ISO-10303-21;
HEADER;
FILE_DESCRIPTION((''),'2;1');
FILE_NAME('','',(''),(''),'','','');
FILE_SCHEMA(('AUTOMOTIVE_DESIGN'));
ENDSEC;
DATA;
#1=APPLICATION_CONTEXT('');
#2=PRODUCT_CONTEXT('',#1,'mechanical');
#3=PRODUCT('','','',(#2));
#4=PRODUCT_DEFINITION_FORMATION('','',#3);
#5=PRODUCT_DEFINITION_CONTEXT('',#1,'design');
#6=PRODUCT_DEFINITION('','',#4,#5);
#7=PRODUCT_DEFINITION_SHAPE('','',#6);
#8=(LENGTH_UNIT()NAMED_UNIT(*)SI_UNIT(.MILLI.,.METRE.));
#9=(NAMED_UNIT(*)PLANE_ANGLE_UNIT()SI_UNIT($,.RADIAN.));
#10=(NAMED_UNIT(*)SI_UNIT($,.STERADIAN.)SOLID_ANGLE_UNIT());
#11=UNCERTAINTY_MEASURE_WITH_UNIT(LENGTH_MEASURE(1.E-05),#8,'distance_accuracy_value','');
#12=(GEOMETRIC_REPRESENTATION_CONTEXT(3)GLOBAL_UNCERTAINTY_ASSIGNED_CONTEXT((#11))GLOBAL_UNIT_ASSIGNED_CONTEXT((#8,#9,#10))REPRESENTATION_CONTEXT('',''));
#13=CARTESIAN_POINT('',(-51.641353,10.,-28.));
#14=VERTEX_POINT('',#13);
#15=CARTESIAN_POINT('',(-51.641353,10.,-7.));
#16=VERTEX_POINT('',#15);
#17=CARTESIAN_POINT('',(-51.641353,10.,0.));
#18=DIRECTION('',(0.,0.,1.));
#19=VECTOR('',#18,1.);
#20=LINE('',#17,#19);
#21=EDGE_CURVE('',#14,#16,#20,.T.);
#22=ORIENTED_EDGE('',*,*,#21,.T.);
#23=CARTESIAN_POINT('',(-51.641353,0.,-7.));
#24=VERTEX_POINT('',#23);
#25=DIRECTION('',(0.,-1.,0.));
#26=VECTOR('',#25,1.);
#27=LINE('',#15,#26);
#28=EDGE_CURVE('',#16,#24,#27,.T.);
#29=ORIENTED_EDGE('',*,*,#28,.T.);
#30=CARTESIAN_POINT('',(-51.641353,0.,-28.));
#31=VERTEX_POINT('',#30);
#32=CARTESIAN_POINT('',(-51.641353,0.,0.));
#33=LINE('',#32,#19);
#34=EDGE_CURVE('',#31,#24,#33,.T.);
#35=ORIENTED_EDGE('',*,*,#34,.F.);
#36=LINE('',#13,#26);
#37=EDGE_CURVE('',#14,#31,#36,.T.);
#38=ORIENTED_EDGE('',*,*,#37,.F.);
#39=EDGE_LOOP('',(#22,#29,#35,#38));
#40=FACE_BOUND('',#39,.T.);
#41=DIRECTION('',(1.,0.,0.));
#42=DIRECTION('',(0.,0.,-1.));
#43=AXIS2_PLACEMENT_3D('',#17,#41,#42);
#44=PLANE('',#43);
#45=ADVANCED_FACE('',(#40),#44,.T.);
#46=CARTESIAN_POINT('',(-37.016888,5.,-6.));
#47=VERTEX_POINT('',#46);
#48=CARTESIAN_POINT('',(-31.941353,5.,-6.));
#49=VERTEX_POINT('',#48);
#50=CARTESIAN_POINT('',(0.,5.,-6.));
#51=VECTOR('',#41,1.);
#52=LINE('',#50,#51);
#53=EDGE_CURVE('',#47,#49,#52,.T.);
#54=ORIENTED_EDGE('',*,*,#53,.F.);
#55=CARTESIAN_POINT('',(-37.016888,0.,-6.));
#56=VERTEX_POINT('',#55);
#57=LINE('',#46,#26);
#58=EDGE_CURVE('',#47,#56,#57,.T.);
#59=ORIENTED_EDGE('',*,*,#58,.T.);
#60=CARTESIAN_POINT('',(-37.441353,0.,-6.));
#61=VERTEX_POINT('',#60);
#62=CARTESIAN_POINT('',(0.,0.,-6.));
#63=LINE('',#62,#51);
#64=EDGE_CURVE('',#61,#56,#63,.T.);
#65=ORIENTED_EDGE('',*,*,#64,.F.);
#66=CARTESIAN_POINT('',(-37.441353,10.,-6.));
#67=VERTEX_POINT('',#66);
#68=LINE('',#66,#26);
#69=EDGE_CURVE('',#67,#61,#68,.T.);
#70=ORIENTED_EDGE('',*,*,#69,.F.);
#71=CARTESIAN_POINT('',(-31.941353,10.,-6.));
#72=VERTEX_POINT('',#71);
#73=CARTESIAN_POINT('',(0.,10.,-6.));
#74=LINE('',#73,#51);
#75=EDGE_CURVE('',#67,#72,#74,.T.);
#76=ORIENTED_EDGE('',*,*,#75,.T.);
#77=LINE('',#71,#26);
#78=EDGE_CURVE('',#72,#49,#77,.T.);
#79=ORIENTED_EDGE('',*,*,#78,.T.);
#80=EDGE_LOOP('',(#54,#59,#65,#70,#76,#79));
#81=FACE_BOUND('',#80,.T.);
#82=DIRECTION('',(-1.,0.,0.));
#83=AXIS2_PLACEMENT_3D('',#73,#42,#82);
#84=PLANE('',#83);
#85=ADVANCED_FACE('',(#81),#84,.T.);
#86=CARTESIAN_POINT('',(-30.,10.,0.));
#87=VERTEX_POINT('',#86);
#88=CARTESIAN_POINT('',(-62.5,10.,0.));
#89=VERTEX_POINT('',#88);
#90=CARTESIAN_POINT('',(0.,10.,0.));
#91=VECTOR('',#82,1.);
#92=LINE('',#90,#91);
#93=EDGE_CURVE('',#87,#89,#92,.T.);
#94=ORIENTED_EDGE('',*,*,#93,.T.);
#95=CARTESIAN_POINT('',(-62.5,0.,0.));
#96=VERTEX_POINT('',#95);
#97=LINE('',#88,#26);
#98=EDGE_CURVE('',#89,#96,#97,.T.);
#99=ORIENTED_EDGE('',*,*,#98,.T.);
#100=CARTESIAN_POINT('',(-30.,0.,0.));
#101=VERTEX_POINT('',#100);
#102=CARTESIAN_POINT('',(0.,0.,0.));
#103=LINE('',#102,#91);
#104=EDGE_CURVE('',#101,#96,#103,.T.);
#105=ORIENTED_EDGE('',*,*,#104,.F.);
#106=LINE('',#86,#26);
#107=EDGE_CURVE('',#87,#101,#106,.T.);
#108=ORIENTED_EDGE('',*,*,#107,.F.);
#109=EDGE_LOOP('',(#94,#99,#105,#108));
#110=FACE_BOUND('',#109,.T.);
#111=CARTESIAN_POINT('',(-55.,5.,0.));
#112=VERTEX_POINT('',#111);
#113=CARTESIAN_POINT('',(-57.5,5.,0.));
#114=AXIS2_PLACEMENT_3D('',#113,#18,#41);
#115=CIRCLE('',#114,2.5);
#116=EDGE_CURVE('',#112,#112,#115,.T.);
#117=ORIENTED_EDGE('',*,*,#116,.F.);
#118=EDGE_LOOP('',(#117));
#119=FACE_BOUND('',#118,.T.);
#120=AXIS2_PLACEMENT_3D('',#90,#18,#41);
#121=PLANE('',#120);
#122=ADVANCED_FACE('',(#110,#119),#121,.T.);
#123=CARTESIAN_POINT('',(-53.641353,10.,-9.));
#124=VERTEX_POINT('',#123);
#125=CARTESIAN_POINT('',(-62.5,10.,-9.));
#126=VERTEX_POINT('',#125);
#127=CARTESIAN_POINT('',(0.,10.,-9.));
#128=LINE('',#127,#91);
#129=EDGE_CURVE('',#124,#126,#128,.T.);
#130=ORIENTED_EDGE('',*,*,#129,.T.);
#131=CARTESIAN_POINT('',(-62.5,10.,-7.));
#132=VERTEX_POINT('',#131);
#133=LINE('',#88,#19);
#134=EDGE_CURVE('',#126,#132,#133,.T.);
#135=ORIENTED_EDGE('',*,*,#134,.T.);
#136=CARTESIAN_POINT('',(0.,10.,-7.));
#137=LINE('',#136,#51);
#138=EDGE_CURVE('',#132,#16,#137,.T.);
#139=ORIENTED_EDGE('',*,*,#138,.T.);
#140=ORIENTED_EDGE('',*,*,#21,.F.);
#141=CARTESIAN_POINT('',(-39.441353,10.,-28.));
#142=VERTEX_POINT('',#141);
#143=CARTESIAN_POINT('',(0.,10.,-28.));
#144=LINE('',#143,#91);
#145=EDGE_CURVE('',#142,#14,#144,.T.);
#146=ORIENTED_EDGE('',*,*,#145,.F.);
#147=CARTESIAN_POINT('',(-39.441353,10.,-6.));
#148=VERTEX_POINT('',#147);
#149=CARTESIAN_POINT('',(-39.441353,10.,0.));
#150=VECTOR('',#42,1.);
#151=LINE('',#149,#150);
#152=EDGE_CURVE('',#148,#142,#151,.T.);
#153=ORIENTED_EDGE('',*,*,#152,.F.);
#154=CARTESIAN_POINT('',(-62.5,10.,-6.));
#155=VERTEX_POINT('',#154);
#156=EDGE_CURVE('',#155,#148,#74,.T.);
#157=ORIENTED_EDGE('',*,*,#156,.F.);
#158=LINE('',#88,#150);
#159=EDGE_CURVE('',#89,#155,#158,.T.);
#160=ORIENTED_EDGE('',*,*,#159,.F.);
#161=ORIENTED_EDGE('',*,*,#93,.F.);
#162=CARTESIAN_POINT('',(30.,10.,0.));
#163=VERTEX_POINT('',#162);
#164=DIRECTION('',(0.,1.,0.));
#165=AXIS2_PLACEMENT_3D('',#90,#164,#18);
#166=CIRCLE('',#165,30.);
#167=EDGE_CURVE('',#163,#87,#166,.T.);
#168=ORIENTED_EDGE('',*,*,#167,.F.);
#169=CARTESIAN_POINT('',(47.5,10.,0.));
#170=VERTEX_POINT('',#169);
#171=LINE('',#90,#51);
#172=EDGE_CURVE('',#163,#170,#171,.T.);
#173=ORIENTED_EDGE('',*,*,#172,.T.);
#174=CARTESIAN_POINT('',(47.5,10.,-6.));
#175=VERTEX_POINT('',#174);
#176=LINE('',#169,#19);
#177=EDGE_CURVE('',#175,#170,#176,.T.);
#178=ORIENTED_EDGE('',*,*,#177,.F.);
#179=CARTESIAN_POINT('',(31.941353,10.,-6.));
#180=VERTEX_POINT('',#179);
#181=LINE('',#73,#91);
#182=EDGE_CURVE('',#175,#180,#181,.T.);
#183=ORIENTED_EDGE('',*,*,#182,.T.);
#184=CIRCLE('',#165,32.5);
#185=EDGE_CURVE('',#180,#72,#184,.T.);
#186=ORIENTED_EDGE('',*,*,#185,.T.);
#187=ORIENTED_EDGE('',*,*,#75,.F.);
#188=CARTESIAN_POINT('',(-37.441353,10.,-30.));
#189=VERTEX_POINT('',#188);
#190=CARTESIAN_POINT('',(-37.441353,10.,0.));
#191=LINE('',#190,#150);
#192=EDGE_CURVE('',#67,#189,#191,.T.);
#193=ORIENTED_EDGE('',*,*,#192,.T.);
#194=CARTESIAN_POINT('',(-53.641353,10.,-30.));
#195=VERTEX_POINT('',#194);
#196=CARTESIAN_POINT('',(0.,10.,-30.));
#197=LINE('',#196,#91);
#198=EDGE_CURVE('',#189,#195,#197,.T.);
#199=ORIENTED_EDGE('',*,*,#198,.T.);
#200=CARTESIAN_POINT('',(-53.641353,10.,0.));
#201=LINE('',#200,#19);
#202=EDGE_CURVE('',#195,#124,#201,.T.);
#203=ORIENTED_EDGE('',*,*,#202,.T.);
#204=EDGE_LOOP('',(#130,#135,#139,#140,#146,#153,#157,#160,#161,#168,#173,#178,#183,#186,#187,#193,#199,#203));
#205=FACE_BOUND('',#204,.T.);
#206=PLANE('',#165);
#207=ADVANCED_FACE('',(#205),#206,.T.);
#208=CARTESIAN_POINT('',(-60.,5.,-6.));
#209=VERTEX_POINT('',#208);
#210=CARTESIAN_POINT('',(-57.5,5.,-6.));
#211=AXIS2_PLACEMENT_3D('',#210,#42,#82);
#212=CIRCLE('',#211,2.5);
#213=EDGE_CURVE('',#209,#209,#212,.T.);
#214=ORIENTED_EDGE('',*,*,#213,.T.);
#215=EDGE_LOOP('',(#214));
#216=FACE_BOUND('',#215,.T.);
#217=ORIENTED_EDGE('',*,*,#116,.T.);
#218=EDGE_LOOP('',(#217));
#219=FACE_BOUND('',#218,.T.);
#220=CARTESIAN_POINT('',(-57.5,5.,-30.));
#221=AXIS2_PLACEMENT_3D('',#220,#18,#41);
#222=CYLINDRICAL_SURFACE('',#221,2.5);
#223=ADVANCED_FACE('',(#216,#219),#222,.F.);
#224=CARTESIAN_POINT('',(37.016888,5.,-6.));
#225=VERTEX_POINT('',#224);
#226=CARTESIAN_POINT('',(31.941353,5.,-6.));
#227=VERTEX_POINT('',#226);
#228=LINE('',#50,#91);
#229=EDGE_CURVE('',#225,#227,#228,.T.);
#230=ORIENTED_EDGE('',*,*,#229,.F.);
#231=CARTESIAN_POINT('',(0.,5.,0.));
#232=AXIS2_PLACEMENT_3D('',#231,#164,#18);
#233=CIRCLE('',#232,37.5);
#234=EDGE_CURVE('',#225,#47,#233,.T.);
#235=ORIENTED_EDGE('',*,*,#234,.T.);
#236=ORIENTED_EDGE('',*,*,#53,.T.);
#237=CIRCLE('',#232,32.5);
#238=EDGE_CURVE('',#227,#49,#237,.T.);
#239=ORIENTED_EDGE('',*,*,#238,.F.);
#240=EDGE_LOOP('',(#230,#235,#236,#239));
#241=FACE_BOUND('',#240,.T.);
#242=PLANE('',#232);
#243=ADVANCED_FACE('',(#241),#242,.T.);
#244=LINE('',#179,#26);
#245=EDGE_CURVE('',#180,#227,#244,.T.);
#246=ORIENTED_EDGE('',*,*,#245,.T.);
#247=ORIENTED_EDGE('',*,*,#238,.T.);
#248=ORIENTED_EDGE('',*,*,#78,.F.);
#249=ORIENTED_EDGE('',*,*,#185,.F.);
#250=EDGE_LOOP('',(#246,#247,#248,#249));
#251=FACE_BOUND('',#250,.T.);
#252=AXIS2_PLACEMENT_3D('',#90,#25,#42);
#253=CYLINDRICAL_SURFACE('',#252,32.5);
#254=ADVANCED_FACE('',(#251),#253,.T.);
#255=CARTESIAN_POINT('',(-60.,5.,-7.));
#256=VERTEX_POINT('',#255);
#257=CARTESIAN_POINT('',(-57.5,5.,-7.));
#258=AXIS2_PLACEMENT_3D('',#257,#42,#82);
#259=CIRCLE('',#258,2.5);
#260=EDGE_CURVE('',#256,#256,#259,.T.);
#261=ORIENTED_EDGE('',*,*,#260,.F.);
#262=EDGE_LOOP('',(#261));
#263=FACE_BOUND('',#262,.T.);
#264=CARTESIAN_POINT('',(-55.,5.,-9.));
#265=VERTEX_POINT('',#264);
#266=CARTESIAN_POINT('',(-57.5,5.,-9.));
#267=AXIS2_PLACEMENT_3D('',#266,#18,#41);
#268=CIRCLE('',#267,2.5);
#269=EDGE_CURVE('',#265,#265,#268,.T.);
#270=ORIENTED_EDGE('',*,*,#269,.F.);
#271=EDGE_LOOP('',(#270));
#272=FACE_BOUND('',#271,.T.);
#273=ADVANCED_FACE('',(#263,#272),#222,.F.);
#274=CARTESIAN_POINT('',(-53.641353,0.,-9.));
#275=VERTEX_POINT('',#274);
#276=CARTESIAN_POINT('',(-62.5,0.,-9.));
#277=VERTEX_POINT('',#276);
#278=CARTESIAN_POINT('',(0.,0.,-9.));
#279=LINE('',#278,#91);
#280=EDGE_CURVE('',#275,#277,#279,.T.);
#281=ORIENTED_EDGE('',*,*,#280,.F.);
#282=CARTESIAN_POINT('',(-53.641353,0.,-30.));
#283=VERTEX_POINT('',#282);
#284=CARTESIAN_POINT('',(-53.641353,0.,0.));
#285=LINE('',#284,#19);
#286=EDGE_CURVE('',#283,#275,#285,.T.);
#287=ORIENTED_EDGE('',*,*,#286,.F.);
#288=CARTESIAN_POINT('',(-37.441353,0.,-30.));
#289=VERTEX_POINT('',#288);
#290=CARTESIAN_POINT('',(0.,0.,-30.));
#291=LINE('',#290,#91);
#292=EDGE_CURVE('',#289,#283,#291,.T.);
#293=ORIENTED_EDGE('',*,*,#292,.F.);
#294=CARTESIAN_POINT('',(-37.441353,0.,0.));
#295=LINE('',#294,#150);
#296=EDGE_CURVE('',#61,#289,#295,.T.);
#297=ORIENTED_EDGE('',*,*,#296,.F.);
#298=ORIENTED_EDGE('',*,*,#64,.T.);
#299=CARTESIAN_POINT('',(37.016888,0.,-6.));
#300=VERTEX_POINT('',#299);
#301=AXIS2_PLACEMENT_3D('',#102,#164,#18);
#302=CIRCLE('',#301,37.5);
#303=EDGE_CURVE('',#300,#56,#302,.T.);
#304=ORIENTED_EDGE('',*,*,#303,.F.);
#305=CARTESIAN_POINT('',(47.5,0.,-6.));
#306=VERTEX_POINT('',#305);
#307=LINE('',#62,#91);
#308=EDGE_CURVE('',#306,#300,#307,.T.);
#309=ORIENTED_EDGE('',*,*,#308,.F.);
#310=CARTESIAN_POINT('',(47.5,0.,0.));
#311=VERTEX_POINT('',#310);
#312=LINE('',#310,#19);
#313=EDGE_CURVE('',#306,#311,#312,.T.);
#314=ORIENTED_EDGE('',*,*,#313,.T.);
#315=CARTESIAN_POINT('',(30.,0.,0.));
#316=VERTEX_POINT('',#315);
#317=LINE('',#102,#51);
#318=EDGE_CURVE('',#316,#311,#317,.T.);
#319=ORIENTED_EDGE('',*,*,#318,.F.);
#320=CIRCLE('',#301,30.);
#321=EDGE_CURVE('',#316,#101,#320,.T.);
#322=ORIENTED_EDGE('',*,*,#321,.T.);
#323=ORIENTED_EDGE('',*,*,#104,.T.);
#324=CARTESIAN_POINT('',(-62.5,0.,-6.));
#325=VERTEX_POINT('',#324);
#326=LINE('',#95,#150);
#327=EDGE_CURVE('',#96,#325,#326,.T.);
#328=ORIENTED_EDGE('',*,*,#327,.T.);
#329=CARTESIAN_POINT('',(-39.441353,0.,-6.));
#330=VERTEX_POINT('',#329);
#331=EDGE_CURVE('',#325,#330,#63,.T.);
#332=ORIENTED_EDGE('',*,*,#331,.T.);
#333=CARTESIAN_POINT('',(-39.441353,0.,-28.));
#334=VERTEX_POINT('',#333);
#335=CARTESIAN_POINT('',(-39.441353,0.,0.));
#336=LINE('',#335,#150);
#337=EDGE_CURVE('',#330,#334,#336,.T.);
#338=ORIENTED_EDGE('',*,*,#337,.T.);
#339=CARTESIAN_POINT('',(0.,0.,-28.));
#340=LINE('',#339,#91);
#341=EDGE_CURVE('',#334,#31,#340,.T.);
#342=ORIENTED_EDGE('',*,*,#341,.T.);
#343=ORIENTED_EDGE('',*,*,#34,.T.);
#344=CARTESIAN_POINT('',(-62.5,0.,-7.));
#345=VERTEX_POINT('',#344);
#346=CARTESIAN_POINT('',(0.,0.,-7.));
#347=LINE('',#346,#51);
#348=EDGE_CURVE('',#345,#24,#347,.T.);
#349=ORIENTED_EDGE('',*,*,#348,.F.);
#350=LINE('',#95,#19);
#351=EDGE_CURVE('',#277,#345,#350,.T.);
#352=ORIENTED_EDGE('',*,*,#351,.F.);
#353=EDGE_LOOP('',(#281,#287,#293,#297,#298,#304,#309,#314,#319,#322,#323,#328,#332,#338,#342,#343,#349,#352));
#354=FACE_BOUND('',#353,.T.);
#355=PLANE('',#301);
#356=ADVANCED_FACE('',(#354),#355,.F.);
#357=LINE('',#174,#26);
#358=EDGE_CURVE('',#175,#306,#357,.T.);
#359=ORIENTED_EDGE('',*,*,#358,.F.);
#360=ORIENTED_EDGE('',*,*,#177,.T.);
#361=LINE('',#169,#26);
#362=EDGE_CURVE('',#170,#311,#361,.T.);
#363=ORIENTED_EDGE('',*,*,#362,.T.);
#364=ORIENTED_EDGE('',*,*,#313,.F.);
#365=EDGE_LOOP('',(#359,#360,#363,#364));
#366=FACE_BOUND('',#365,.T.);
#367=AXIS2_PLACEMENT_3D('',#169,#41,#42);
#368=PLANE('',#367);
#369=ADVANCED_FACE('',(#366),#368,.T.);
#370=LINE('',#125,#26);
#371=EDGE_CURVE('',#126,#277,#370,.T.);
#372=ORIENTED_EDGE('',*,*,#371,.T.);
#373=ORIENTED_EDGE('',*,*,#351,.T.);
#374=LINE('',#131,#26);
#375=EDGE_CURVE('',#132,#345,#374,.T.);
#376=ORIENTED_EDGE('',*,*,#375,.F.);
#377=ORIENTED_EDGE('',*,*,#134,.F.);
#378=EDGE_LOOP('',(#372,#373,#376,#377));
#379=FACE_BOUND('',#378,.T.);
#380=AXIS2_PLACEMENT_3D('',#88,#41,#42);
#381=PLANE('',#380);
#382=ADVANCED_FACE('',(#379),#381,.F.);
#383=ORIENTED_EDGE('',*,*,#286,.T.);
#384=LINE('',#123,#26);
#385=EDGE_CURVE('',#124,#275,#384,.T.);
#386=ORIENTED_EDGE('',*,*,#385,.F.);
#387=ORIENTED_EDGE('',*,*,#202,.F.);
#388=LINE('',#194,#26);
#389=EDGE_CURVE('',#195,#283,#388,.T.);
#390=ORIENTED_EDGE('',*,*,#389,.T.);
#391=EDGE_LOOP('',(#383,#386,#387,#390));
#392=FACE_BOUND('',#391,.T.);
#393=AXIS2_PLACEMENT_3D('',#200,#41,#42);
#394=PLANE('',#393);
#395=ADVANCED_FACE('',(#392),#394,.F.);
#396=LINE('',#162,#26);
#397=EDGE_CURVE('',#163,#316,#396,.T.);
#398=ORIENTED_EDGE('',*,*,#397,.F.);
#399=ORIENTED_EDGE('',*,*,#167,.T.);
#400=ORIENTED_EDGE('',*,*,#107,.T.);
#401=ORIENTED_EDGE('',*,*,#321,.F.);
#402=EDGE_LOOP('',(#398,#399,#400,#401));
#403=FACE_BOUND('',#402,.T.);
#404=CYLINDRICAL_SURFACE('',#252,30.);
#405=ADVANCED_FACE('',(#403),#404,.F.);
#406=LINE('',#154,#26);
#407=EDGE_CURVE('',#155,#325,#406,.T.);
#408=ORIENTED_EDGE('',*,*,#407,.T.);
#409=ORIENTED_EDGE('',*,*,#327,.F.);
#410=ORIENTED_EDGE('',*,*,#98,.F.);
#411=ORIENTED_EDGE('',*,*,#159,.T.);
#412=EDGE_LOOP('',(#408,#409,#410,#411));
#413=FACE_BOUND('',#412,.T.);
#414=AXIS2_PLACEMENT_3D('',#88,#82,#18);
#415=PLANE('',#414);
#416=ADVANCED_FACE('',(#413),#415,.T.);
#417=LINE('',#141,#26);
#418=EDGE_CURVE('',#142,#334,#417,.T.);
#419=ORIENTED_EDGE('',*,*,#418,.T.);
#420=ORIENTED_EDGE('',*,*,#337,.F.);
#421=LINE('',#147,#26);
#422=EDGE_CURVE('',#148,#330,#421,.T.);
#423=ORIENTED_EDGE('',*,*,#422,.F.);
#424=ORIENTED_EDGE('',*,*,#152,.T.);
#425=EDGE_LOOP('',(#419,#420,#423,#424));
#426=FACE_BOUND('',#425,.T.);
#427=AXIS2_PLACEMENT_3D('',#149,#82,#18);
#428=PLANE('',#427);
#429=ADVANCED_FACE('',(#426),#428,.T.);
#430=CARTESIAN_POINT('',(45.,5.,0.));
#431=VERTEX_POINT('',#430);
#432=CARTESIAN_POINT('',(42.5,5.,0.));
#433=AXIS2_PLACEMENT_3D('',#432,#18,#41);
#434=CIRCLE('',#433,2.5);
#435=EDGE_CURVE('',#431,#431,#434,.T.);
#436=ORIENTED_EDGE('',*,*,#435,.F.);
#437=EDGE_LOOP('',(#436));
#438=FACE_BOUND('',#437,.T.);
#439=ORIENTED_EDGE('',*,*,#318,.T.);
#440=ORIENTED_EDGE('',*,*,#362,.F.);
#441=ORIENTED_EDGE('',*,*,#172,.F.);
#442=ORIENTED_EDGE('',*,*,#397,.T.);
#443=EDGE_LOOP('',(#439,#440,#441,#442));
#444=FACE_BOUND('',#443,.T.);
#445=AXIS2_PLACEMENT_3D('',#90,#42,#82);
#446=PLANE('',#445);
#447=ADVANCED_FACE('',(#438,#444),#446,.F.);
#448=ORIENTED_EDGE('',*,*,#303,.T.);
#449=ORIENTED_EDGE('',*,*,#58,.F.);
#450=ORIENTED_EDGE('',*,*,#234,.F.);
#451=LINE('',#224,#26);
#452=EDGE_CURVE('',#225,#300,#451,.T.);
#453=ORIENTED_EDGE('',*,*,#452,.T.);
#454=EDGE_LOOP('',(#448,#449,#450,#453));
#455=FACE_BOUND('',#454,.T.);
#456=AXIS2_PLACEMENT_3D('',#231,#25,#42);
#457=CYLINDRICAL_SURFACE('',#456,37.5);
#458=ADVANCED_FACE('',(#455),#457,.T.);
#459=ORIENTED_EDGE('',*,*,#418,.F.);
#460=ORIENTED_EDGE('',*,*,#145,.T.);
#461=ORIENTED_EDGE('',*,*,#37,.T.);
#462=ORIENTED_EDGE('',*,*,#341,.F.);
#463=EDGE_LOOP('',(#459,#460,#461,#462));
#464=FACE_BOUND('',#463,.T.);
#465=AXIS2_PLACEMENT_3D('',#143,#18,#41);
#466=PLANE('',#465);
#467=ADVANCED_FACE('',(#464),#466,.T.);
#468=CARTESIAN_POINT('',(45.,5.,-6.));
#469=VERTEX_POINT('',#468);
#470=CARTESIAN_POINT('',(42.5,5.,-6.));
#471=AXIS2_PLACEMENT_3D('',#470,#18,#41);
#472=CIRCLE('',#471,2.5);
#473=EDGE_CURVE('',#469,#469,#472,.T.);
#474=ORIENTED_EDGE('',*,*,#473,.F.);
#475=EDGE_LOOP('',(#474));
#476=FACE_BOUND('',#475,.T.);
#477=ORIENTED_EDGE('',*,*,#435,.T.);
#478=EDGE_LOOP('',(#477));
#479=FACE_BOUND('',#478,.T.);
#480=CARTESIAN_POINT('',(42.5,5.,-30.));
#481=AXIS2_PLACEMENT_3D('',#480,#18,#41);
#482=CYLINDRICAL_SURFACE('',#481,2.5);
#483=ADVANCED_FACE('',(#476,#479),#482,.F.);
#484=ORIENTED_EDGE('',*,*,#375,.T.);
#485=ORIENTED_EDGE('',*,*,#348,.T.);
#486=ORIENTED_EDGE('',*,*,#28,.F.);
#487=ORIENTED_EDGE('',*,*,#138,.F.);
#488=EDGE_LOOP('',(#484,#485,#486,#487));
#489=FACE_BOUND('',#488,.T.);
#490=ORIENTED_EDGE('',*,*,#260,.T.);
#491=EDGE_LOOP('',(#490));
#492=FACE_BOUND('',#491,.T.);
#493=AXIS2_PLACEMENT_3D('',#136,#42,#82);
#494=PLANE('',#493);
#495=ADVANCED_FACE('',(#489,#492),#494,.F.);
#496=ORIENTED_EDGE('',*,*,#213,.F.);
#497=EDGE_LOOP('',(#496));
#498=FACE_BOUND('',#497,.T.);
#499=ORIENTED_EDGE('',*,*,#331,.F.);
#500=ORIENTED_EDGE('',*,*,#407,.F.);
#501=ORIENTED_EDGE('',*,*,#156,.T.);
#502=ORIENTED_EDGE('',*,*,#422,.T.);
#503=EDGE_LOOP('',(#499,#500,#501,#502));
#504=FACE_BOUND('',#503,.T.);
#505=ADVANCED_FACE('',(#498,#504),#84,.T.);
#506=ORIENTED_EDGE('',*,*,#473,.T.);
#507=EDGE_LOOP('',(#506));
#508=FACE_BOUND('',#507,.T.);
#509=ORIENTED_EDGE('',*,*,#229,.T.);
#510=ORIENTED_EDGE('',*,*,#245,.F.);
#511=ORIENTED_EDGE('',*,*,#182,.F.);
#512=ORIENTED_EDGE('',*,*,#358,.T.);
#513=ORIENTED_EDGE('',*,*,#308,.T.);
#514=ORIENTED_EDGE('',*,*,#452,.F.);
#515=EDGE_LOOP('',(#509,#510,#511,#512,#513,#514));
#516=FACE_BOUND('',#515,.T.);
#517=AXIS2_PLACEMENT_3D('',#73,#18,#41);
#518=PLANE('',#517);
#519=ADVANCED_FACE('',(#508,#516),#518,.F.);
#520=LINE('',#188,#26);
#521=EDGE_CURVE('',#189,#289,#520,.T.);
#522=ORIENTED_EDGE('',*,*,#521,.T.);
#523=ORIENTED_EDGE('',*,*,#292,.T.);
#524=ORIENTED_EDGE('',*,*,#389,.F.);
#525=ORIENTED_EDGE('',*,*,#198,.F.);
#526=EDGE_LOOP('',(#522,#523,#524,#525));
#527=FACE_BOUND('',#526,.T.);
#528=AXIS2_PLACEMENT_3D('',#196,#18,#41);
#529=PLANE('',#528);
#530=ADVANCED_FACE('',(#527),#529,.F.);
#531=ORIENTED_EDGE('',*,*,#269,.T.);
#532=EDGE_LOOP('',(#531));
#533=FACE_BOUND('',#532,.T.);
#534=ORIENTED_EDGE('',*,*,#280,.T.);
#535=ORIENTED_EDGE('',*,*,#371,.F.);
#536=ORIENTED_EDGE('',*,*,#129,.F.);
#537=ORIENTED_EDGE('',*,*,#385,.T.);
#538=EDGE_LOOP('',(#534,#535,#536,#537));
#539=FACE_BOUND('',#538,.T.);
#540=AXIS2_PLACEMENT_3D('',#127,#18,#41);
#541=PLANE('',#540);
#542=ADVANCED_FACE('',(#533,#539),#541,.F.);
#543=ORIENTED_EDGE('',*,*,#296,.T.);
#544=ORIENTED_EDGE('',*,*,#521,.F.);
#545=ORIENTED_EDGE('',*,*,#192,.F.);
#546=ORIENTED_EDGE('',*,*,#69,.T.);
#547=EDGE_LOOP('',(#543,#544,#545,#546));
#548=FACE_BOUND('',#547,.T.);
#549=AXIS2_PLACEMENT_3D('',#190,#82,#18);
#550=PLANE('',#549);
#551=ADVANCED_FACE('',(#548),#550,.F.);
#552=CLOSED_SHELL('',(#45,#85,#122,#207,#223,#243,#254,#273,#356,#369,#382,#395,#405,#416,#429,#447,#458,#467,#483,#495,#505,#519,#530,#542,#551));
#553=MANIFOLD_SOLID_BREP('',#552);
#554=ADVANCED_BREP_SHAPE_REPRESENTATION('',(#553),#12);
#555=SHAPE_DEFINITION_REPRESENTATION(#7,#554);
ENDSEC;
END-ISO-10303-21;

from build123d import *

# Parameters (mm, degrees)
BOSS_EXTRUDE1_DEPTH = 10
BOSS_EXTRUDE2_DEPTH = 5
BOSS_EXTRUDE5_DEPTH = 10
SKETCH3_R           = 2.5
CUT_EXTRUDE4_DEPTH  = 30


with BuildPart() as part:
    # Sketch1 → Boss-Extrude1 (new body)
    with BuildSketch(Plane(origin=(0, 0, 0), x_dir=(1, 0, 0), z_dir=(0, 1, 0))):
        with BuildLine():
            Line((47.5, 6), (31.941352507, 6))
            ThreePointArc((31.941352507, 6), (0, 32.5), (-31.941352507, 6))
            Line((-31.941352507, 6), (-62.5, 6))
            Line((-62.5, 6), (-62.5, 0))
            Line((-62.5, 0), (-30, 0))
            ThreePointArc((-30, 0), (0, 30), (30, 0))
            Line((30, 0), (47.5, 0))
            Line((47.5, 0), (47.5, 6))
        make_face()
    extrude(amount=BOSS_EXTRUDE1_DEPTH)

    # Sketch5 → Boss-Extrude2 (add)
    with BuildSketch(Plane(origin=(0, 0, 0), x_dir=(1, 0, 0), z_dir=(0, 1, 0))):
        with BuildLine():
            ThreePointArc((37.5, 0), (0, 37.5), (-37.5, 0))
            Line((-37.5, 0), (-32.5, 0))
            ThreePointArc((-32.5, 0), (0, 32.5), (32.5, 0))
            Line((32.5, 0), (37.5, 0))
        make_face()
    extrude(amount=BOSS_EXTRUDE2_DEPTH)

    # Sketch1_5 → Boss-Extrude5 (add)
    with BuildSketch(Plane(origin=(0, 0, 0), x_dir=(1, 0, 0), z_dir=(0, 1, 0))):
        Polygon((-39.441352507, 6), (-37.441352507, 6), (-37.441352507, 30), (-53.641352507, 30), (-53.641352507, 9), (-62.5, 9), (-62.5, 7), (-51.641352507, 7), (-51.641352507, 28), (-39.441352507, 28), align=None)
    extrude(amount=BOSS_EXTRUDE5_DEPTH)

    # Sketch3 → Cut-Extrude4 (cut)
    with BuildSketch(Plane.XY):
        with Locations((-57.5, 5)):
            Circle(SKETCH3_R)
        with Locations((42.5, 5)):
            Circle(SKETCH3_R)
    extrude(amount=-CUT_EXTRUDE4_DEPTH, mode=Mode.SUBTRACT)


solid = part.part
